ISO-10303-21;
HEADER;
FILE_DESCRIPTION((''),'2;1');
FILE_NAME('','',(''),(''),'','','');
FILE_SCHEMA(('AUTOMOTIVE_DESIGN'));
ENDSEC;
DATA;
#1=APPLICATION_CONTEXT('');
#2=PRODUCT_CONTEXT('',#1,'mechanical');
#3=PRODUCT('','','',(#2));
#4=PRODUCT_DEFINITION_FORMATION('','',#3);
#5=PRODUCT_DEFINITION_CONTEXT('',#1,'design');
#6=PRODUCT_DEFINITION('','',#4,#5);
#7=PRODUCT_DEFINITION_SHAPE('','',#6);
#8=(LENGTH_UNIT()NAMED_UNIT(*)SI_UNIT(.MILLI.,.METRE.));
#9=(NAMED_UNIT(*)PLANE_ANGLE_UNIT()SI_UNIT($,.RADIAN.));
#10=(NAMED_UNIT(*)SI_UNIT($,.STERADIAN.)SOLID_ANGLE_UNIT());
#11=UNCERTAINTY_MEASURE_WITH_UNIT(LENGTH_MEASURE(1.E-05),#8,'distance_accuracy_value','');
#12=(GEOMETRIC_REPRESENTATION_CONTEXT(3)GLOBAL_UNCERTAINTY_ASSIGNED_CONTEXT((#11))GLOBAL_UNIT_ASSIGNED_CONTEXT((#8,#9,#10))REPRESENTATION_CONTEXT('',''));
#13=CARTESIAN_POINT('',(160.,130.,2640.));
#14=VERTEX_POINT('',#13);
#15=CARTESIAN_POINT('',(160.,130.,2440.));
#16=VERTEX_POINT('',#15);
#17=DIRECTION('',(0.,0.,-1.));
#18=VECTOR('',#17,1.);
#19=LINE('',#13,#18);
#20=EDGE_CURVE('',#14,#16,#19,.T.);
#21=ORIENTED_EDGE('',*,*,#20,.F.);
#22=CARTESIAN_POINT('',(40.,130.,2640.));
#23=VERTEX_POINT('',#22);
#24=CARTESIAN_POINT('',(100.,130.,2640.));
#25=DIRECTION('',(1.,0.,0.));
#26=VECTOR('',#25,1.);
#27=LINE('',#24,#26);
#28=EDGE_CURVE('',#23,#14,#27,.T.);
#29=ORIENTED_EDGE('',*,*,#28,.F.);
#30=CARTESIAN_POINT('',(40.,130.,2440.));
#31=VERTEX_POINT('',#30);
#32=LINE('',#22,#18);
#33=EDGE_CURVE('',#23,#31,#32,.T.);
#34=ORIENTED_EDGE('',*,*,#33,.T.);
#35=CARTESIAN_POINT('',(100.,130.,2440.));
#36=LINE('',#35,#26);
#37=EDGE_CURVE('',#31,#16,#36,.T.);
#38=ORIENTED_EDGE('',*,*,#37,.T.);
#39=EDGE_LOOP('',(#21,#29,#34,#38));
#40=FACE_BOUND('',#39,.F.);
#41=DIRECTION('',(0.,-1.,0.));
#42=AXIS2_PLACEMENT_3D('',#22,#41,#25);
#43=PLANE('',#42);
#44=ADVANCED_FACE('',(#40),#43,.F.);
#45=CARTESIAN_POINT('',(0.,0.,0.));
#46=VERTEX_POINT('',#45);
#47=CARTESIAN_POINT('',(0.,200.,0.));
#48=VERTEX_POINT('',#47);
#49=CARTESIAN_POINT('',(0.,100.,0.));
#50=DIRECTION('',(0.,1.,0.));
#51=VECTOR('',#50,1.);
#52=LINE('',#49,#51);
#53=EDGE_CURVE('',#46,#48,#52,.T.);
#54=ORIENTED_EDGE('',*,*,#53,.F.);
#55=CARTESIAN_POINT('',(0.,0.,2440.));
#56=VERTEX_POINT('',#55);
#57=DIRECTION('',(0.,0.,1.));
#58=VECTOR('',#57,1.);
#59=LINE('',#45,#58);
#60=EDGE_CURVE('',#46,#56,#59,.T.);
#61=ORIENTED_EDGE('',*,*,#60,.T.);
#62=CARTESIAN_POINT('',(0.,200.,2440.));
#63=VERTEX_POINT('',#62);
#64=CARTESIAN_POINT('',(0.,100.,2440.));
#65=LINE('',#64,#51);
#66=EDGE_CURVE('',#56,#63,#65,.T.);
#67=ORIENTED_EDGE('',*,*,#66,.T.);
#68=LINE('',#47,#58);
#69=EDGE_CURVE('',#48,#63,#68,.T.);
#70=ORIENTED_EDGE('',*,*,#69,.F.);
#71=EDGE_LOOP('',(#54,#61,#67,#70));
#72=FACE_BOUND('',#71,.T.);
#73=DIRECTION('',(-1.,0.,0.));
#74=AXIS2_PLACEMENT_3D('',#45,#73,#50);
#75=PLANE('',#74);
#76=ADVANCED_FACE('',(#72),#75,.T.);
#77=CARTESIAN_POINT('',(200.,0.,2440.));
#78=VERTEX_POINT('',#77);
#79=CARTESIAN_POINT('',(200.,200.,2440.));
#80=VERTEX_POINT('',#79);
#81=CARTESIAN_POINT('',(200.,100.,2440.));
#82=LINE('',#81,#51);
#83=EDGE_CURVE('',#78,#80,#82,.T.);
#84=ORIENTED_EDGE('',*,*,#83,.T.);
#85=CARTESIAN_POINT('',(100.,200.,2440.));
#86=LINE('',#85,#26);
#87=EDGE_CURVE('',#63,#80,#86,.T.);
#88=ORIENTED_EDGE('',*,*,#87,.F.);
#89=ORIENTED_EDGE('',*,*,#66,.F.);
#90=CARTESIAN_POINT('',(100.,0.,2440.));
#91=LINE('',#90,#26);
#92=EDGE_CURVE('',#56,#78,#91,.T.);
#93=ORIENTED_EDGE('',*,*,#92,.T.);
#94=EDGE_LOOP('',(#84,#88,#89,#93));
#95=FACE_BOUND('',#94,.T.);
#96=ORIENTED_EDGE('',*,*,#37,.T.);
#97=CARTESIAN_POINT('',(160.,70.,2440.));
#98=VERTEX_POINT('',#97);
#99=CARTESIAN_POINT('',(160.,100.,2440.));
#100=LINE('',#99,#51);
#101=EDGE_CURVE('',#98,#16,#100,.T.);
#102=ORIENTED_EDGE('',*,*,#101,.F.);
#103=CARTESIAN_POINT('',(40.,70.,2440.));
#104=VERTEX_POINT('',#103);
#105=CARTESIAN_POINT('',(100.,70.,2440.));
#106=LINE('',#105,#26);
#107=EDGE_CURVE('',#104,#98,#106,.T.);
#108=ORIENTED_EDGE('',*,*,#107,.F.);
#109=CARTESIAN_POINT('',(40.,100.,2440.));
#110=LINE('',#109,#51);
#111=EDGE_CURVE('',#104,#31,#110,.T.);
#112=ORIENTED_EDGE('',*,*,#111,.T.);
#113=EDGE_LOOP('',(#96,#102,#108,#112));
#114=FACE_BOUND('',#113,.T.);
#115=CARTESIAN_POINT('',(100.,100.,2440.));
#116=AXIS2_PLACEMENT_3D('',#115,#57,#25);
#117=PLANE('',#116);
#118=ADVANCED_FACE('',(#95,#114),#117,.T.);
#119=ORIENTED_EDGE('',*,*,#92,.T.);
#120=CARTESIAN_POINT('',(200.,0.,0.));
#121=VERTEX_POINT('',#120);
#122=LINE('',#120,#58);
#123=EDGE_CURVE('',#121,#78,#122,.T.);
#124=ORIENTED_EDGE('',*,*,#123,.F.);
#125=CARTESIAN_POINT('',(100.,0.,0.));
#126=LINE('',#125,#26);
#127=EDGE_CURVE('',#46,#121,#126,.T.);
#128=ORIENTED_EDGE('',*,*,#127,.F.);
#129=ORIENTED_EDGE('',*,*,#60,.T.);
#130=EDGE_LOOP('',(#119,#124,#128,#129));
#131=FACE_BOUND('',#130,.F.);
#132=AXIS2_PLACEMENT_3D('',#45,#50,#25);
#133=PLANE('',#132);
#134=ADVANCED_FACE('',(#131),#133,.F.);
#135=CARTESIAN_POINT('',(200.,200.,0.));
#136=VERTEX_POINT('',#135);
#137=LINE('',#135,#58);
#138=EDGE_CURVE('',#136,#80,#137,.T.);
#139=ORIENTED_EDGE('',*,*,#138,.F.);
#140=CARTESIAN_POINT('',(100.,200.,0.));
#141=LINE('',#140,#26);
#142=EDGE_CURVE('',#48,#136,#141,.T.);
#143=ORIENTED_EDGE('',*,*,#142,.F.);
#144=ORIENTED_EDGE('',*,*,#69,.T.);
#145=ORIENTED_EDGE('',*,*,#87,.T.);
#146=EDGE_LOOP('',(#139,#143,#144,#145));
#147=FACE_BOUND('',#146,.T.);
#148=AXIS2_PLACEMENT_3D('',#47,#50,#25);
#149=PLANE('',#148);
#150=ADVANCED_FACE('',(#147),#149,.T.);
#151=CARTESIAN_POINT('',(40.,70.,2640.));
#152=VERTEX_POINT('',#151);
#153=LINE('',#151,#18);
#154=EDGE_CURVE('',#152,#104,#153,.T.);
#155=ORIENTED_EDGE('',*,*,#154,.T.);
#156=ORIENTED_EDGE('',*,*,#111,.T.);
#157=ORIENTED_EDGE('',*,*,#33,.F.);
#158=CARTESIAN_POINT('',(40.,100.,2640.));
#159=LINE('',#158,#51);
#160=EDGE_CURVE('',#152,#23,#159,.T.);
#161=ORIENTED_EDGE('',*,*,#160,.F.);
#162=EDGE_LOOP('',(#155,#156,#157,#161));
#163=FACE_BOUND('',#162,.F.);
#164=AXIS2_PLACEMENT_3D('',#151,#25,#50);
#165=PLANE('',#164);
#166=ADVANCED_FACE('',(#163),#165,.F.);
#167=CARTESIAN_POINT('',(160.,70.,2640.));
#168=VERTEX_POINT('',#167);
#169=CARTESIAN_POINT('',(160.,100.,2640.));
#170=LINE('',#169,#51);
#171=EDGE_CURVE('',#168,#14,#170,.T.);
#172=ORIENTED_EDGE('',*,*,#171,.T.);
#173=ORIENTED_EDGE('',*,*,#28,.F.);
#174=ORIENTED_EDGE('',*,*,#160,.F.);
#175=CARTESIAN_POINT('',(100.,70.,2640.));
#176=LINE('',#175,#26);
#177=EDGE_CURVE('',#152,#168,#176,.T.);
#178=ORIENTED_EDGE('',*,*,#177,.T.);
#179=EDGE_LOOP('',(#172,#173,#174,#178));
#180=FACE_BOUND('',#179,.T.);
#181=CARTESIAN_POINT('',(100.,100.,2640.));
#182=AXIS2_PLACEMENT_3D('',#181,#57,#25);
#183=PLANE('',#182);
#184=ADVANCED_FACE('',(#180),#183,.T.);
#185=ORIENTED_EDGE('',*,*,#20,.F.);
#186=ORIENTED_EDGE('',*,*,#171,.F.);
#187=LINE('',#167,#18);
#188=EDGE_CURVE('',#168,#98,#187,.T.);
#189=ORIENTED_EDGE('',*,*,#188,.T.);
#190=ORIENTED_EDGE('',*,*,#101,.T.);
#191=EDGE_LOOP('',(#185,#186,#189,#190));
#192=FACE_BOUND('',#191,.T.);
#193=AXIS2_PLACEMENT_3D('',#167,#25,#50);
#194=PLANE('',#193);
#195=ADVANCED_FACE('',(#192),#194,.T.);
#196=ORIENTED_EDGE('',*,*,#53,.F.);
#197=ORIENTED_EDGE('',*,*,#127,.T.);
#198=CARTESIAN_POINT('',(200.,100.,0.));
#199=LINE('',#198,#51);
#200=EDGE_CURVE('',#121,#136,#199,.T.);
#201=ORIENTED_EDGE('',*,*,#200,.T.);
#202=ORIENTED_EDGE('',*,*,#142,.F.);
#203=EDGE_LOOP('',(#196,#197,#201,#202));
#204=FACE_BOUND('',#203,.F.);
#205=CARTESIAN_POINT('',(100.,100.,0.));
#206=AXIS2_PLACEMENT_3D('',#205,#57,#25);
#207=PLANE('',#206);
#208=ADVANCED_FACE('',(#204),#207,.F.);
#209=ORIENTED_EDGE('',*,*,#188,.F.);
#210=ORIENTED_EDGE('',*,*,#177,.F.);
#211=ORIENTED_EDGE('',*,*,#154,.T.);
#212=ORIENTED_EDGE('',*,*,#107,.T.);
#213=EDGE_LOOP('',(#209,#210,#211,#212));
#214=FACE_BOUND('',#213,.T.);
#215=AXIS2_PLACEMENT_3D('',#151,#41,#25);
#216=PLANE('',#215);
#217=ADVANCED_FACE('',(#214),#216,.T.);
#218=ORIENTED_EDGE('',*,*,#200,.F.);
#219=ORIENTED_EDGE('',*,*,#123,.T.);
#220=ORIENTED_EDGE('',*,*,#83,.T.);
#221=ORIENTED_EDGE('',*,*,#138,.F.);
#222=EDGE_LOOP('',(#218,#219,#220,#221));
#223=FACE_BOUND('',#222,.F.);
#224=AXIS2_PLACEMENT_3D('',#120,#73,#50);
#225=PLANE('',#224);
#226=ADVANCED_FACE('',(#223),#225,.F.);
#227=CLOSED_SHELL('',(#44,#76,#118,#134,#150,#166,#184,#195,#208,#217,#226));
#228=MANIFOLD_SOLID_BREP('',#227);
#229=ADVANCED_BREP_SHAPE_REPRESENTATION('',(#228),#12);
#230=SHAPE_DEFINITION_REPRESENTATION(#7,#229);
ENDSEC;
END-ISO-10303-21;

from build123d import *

# Parameters (mm, degrees)
F0_W     = 200
F0_H     = 200
F1_DEPTH = 2640
F2_W     = 200
F2_H     = 200
F2_W_2   = 120
F2_H_2   = 60
F3_DEPTH = 200


with BuildPart() as f1:
    # F0 (on Top) → F1 (new body)
    with BuildSketch(Plane.XY):
        with Locations((100, 100)):
            Rectangle(F0_W, F0_H)
    extrude(amount=F1_DEPTH)

    # F2 (on face) → F3 (cut)
    with BuildSketch(Plane.XY.offset(2640)):
        with Locations((100, 100)):
            Rectangle(F2_W, F2_H)
        with Locations((100, 100)):
            Rectangle(F2_W_2, F2_H_2, mode=Mode.SUBTRACT)
    extrude(amount=-F3_DEPTH, mode=Mode.SUBTRACT)


solid = f1.part
